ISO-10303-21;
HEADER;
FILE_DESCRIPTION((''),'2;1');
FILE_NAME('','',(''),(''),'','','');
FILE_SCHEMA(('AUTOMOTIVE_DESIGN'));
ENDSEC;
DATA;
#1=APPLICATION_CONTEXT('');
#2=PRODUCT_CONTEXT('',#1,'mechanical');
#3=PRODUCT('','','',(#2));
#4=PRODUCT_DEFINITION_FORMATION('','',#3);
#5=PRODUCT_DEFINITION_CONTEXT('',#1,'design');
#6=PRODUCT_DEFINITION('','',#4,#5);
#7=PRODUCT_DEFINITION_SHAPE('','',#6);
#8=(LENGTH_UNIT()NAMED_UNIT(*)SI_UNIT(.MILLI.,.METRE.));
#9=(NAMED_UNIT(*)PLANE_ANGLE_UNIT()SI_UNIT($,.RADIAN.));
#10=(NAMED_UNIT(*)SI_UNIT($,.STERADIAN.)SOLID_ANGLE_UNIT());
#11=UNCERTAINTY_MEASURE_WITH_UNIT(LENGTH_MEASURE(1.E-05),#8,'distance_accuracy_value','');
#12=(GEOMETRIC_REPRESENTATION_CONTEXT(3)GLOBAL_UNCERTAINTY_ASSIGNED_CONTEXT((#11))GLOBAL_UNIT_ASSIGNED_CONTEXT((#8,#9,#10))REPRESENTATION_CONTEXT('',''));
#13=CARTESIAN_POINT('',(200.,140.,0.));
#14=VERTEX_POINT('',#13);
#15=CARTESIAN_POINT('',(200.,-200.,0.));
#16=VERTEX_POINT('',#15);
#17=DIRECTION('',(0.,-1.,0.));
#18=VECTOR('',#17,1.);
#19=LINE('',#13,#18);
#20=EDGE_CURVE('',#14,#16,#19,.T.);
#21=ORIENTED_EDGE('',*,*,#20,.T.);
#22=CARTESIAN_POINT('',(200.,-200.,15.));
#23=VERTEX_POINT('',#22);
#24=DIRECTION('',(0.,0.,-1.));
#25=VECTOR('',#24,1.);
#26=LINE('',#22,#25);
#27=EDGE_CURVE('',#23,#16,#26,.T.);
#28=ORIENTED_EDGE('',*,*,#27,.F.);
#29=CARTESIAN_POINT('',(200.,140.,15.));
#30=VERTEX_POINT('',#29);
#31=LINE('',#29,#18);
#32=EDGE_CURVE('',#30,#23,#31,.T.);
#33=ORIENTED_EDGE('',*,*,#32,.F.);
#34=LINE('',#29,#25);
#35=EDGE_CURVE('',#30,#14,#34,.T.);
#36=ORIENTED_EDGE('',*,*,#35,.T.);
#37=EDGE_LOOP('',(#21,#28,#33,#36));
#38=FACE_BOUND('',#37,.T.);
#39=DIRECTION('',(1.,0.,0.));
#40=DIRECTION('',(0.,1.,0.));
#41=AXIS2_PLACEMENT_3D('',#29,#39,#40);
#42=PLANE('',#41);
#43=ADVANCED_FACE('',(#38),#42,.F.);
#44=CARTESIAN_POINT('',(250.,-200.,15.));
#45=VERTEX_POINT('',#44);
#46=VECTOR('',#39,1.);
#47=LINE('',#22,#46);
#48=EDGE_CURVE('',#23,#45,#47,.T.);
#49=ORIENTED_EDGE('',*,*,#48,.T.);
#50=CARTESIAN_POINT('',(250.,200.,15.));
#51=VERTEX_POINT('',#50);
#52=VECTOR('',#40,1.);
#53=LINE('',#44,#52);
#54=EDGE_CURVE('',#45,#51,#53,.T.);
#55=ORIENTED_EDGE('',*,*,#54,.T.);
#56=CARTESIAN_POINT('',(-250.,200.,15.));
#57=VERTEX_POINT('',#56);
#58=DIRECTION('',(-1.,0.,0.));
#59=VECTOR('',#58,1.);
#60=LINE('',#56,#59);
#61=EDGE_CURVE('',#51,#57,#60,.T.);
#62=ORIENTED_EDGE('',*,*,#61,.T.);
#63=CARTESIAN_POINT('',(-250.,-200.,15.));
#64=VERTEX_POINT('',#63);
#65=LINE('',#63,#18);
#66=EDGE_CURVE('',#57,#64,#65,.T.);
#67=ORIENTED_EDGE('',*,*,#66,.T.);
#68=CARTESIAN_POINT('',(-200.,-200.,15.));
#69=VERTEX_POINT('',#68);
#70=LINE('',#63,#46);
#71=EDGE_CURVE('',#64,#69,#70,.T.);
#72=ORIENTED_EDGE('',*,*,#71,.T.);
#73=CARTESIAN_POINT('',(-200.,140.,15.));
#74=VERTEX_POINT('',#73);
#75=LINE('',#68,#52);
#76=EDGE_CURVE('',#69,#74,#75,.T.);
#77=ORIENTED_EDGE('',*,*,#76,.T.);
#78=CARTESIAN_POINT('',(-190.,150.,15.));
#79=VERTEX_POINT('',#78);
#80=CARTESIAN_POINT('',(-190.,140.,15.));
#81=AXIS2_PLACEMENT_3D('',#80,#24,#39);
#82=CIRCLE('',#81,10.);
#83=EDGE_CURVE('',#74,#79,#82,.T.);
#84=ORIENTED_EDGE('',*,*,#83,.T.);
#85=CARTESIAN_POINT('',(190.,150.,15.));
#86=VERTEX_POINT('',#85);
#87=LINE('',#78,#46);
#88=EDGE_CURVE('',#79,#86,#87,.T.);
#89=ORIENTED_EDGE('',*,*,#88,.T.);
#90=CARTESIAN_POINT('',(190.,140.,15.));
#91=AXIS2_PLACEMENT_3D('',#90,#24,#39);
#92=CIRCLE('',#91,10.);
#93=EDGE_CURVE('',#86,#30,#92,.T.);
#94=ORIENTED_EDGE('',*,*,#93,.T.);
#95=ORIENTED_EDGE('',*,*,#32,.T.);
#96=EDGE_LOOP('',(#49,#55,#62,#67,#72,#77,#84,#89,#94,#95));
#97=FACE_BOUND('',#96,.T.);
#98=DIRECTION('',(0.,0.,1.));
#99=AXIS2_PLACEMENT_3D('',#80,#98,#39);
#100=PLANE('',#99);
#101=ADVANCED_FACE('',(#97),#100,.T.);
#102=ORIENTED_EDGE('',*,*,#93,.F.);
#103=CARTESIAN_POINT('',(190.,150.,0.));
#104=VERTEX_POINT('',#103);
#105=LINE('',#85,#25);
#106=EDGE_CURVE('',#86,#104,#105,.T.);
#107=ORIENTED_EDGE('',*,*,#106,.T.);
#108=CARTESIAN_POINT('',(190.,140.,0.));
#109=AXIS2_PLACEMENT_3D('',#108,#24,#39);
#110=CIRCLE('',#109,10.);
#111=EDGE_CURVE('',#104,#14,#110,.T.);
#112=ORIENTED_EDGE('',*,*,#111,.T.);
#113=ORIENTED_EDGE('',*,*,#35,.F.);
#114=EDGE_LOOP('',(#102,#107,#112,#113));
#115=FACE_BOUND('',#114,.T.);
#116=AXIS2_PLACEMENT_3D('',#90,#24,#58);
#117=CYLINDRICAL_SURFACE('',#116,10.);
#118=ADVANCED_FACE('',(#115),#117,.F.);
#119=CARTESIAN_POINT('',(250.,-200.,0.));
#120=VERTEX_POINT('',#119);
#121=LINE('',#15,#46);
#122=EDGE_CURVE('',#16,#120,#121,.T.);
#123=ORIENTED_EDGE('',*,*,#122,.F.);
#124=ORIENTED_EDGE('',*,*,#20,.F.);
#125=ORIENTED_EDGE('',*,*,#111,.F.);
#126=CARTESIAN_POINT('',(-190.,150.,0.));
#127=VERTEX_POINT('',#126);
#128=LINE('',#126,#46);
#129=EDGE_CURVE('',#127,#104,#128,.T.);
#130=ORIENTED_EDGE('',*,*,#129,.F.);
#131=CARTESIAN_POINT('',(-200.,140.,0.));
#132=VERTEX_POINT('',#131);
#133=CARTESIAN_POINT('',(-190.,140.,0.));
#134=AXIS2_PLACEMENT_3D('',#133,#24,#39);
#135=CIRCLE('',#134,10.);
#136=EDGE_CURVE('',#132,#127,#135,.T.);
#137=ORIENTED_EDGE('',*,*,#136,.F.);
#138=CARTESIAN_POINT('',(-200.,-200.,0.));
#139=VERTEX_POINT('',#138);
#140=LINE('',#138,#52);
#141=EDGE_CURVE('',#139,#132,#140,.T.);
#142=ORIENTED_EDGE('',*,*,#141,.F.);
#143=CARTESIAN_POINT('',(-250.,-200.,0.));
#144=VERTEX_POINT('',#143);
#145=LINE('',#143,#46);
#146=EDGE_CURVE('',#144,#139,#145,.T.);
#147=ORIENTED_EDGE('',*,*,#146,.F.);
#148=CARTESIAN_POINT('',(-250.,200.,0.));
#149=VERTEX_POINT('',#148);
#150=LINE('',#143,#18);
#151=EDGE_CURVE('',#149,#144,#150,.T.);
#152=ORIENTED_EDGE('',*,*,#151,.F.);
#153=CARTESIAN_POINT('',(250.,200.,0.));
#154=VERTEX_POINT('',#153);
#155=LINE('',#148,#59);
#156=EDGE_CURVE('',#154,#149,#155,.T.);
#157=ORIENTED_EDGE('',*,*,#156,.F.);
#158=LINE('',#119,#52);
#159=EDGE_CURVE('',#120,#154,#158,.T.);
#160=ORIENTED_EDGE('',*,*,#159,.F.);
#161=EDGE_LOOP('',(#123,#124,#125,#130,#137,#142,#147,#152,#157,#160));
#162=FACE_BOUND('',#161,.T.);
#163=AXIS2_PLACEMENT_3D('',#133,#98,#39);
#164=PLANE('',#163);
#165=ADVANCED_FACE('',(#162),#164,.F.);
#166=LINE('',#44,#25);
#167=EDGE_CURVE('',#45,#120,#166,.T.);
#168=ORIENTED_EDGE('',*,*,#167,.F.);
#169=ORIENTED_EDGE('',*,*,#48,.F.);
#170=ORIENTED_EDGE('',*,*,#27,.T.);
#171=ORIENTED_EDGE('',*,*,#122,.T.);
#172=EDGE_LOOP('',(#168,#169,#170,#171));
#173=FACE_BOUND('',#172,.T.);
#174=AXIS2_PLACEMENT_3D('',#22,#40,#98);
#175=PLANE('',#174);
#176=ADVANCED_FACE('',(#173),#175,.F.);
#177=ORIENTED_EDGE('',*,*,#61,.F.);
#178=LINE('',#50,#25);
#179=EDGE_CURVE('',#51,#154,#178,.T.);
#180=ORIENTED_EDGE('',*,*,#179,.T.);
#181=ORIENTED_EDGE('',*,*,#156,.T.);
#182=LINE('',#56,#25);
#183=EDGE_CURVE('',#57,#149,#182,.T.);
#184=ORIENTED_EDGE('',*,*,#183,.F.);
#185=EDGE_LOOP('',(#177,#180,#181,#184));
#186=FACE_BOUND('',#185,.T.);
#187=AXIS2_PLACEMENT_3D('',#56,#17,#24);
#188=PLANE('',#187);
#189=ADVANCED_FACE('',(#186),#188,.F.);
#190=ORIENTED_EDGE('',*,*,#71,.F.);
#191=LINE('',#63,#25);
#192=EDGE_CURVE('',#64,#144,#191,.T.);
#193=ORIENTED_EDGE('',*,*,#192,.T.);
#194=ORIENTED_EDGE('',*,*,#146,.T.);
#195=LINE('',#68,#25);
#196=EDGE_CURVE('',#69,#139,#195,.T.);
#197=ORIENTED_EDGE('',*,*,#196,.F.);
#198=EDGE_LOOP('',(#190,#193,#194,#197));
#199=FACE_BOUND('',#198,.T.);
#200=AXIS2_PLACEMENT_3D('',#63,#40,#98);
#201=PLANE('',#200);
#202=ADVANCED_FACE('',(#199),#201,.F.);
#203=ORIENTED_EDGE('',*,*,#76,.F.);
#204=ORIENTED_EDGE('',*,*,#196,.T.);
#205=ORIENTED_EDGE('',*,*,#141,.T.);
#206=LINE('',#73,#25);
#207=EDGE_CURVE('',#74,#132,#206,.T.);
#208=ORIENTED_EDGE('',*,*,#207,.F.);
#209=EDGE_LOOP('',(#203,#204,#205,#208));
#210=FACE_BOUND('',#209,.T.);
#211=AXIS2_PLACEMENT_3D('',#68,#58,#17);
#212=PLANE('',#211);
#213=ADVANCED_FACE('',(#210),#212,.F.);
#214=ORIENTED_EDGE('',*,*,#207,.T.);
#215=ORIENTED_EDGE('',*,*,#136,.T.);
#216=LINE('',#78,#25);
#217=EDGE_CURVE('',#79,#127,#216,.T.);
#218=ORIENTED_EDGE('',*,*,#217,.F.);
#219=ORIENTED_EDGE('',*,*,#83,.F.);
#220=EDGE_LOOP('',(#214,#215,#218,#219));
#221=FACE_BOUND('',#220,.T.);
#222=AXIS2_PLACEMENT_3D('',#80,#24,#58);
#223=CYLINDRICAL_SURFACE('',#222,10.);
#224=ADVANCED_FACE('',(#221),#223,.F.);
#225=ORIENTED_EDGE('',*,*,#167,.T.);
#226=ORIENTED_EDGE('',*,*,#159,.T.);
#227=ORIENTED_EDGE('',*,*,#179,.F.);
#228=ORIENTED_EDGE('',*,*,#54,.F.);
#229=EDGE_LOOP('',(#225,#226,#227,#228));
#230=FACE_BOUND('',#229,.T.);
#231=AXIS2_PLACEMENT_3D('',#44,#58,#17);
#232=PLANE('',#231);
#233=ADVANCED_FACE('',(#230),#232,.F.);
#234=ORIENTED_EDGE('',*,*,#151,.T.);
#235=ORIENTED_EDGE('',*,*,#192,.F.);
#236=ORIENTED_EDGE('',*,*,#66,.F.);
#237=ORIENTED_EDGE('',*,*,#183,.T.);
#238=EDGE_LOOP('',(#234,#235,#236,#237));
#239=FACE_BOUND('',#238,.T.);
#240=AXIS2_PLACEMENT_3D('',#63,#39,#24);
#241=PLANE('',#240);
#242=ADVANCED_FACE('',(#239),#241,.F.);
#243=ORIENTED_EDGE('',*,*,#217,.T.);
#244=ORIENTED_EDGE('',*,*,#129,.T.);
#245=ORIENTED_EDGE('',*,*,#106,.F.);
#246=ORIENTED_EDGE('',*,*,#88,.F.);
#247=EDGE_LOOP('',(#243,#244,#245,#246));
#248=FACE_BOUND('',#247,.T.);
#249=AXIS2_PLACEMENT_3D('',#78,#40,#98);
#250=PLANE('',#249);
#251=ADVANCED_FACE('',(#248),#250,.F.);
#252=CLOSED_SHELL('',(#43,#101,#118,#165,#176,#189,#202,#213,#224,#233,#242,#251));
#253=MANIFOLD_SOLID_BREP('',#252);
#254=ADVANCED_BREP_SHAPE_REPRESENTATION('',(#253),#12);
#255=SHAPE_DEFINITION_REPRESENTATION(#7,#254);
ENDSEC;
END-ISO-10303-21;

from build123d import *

# Parameters (mm, degrees)
BOSS_EXTRUDE1_DEPTH = 15


with BuildPart() as part:
    # Sketch1 → Boss-Extrude1 (new body)
    with BuildSketch(Plane.XY):
        with BuildLine():
            Line((-250, -200), (-200, -200))
            Line((-200, -200), (-200, 140))
            ThreePointArc((-200, 140), (-197.071067812, 147.071067812), (-190, 150))
            Line((-190, 150), (190, 150))
            ThreePointArc((190, 150), (197.071067812, 147.071067812), (200, 140))
            Line((200, 140), (200, -200))
            Line((200, -200), (250, -200))
            Line((250, -200), (250, 200))
            Line((250, 200), (-250, 200))
            Line((-250, 200), (-250, -200))
        make_face()
    extrude(amount=BOSS_EXTRUDE1_DEPTH)


solid = part.part
